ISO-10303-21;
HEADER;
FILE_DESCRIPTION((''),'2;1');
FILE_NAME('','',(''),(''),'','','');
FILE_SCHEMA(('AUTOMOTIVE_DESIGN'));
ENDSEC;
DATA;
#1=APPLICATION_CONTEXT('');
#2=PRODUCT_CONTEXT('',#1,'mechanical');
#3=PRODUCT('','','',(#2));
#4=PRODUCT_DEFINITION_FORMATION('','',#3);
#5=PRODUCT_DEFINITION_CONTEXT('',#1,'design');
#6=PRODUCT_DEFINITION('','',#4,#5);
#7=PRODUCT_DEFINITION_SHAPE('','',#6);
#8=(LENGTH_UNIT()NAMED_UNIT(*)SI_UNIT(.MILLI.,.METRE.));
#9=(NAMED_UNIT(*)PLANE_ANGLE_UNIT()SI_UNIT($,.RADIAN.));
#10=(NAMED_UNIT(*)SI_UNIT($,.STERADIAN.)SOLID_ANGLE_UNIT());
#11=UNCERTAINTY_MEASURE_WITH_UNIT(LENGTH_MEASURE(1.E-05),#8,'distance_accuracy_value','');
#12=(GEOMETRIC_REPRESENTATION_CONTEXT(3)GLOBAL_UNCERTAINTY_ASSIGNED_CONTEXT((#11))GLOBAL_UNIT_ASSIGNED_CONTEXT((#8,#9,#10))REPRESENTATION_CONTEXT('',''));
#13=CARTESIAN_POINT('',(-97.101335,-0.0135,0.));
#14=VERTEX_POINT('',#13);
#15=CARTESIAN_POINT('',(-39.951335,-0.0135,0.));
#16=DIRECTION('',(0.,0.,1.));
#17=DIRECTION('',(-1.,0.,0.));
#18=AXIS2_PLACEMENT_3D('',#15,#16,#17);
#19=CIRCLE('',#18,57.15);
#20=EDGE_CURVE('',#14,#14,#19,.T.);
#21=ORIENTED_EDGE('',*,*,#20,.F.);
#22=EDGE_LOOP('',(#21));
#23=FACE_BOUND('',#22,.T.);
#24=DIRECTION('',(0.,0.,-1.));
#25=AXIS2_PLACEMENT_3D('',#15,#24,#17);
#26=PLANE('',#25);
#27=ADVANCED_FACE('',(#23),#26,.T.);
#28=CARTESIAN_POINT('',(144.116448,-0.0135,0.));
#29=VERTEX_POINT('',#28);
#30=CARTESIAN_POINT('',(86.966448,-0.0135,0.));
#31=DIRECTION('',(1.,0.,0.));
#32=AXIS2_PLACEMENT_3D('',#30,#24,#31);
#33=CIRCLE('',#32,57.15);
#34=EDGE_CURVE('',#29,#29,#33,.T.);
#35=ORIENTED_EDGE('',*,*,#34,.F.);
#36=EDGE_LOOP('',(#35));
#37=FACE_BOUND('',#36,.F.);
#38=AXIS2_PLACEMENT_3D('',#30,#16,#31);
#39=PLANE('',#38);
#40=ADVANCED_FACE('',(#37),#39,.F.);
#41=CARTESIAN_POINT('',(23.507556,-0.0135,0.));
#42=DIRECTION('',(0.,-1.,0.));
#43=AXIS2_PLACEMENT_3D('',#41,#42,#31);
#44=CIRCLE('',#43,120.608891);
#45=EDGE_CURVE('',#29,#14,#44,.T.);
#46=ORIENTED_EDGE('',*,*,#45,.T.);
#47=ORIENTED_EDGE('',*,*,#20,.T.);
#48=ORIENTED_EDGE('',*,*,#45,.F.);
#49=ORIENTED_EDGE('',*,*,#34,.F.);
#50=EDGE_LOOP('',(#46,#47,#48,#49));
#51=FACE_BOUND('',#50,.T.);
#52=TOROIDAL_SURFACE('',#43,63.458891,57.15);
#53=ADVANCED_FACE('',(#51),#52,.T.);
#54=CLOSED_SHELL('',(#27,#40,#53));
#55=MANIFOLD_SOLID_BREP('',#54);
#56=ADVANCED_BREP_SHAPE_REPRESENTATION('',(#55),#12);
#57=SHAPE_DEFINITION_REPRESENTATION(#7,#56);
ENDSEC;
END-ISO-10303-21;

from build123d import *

# Parameters (mm, degrees)
F2_R = 57.15


with BuildPart() as f3:
    # F3: sweep along a path in F0
    with BuildLine(Plane.XZ) as f3_path:
        ThreePointArc((87.0075562868, 0), (23.5075562868, 63.5), (-39.9924437132, 0))
    # F2 (on line) → F3 (sweep)
    with BuildSketch(Plane.XY):
        with Locations((86.9664475322, -0.0134997308)):
            Circle(F2_R)
    sweep(path=f3_path.line)


solid = f3.part
